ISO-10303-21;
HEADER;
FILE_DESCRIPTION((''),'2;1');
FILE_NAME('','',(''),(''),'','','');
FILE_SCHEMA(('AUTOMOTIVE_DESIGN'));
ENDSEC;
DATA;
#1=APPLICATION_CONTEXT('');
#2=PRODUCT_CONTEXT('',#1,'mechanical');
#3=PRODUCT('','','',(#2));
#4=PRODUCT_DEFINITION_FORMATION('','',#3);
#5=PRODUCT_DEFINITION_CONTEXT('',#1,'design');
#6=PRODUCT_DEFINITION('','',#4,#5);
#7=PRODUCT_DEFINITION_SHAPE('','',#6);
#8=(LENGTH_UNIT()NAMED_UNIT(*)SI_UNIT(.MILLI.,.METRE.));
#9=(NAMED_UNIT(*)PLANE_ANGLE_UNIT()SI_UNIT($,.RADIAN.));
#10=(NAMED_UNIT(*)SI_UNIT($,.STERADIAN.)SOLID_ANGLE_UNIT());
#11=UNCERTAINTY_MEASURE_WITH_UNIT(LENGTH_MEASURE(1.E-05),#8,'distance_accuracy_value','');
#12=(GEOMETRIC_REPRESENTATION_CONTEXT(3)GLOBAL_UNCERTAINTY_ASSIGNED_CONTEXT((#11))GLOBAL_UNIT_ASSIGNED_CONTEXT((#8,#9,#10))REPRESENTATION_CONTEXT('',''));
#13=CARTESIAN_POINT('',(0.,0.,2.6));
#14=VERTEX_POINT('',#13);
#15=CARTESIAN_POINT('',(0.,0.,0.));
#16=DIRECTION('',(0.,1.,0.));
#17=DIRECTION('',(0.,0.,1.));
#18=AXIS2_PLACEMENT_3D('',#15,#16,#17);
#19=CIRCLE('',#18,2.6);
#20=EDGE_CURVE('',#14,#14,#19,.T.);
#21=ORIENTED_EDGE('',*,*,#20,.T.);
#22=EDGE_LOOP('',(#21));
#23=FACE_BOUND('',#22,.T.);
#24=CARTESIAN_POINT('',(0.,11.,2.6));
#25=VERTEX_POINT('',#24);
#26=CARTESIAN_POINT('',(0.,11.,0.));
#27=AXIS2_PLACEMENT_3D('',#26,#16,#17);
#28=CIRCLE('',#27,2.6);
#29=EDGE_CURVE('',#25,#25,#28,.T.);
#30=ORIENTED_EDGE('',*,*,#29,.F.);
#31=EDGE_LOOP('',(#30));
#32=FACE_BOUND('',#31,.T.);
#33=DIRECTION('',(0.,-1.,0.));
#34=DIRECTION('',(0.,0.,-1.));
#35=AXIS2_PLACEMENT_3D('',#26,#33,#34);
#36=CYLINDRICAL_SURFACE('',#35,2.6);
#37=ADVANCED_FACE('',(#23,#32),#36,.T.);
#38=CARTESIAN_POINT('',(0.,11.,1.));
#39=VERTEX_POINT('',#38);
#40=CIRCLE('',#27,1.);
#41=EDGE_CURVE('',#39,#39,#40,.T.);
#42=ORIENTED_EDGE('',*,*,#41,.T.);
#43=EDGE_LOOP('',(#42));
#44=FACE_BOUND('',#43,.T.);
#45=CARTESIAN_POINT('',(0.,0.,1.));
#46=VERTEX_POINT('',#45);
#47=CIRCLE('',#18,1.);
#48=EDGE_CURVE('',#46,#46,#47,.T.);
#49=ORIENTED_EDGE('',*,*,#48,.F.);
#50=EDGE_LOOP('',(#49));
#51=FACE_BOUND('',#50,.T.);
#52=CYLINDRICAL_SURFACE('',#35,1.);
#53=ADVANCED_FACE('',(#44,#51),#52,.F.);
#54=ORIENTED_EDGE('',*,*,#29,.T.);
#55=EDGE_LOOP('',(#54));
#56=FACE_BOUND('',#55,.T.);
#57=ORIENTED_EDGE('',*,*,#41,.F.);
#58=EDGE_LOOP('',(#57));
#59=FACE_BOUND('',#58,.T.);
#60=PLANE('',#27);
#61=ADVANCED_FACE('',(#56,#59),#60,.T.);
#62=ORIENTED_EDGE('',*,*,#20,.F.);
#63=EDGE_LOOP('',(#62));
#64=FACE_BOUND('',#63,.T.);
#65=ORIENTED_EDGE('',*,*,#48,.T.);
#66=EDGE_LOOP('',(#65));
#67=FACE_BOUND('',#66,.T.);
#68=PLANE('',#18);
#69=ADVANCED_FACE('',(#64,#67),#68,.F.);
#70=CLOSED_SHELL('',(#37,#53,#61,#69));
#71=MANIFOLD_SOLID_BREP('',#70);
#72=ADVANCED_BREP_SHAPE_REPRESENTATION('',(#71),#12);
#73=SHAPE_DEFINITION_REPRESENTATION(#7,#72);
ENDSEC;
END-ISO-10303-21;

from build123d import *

# Parameters (mm, degrees)
SKETCH_1_R      = 2.6
SKETCH_1_R_2    = 1
EXTRUDE_1_DEPTH = 11


with BuildPart() as part:
    # Эскиз1 → Бобышка-Вытянуть1 (new body)
    with BuildSketch(Plane(origin=(0, 0, 0), x_dir=(1, 0, 0), z_dir=(0, 1, 0))):
        with Locations(Location((0, 0, 0), (0, 0, 270))):
            Circle(SKETCH_1_R)
        with Locations(Location((0, 0, 0), (0, 0, 270))):
            Circle(SKETCH_1_R_2, mode=Mode.SUBTRACT)
    extrude(amount=EXTRUDE_1_DEPTH)


solid = part.part
